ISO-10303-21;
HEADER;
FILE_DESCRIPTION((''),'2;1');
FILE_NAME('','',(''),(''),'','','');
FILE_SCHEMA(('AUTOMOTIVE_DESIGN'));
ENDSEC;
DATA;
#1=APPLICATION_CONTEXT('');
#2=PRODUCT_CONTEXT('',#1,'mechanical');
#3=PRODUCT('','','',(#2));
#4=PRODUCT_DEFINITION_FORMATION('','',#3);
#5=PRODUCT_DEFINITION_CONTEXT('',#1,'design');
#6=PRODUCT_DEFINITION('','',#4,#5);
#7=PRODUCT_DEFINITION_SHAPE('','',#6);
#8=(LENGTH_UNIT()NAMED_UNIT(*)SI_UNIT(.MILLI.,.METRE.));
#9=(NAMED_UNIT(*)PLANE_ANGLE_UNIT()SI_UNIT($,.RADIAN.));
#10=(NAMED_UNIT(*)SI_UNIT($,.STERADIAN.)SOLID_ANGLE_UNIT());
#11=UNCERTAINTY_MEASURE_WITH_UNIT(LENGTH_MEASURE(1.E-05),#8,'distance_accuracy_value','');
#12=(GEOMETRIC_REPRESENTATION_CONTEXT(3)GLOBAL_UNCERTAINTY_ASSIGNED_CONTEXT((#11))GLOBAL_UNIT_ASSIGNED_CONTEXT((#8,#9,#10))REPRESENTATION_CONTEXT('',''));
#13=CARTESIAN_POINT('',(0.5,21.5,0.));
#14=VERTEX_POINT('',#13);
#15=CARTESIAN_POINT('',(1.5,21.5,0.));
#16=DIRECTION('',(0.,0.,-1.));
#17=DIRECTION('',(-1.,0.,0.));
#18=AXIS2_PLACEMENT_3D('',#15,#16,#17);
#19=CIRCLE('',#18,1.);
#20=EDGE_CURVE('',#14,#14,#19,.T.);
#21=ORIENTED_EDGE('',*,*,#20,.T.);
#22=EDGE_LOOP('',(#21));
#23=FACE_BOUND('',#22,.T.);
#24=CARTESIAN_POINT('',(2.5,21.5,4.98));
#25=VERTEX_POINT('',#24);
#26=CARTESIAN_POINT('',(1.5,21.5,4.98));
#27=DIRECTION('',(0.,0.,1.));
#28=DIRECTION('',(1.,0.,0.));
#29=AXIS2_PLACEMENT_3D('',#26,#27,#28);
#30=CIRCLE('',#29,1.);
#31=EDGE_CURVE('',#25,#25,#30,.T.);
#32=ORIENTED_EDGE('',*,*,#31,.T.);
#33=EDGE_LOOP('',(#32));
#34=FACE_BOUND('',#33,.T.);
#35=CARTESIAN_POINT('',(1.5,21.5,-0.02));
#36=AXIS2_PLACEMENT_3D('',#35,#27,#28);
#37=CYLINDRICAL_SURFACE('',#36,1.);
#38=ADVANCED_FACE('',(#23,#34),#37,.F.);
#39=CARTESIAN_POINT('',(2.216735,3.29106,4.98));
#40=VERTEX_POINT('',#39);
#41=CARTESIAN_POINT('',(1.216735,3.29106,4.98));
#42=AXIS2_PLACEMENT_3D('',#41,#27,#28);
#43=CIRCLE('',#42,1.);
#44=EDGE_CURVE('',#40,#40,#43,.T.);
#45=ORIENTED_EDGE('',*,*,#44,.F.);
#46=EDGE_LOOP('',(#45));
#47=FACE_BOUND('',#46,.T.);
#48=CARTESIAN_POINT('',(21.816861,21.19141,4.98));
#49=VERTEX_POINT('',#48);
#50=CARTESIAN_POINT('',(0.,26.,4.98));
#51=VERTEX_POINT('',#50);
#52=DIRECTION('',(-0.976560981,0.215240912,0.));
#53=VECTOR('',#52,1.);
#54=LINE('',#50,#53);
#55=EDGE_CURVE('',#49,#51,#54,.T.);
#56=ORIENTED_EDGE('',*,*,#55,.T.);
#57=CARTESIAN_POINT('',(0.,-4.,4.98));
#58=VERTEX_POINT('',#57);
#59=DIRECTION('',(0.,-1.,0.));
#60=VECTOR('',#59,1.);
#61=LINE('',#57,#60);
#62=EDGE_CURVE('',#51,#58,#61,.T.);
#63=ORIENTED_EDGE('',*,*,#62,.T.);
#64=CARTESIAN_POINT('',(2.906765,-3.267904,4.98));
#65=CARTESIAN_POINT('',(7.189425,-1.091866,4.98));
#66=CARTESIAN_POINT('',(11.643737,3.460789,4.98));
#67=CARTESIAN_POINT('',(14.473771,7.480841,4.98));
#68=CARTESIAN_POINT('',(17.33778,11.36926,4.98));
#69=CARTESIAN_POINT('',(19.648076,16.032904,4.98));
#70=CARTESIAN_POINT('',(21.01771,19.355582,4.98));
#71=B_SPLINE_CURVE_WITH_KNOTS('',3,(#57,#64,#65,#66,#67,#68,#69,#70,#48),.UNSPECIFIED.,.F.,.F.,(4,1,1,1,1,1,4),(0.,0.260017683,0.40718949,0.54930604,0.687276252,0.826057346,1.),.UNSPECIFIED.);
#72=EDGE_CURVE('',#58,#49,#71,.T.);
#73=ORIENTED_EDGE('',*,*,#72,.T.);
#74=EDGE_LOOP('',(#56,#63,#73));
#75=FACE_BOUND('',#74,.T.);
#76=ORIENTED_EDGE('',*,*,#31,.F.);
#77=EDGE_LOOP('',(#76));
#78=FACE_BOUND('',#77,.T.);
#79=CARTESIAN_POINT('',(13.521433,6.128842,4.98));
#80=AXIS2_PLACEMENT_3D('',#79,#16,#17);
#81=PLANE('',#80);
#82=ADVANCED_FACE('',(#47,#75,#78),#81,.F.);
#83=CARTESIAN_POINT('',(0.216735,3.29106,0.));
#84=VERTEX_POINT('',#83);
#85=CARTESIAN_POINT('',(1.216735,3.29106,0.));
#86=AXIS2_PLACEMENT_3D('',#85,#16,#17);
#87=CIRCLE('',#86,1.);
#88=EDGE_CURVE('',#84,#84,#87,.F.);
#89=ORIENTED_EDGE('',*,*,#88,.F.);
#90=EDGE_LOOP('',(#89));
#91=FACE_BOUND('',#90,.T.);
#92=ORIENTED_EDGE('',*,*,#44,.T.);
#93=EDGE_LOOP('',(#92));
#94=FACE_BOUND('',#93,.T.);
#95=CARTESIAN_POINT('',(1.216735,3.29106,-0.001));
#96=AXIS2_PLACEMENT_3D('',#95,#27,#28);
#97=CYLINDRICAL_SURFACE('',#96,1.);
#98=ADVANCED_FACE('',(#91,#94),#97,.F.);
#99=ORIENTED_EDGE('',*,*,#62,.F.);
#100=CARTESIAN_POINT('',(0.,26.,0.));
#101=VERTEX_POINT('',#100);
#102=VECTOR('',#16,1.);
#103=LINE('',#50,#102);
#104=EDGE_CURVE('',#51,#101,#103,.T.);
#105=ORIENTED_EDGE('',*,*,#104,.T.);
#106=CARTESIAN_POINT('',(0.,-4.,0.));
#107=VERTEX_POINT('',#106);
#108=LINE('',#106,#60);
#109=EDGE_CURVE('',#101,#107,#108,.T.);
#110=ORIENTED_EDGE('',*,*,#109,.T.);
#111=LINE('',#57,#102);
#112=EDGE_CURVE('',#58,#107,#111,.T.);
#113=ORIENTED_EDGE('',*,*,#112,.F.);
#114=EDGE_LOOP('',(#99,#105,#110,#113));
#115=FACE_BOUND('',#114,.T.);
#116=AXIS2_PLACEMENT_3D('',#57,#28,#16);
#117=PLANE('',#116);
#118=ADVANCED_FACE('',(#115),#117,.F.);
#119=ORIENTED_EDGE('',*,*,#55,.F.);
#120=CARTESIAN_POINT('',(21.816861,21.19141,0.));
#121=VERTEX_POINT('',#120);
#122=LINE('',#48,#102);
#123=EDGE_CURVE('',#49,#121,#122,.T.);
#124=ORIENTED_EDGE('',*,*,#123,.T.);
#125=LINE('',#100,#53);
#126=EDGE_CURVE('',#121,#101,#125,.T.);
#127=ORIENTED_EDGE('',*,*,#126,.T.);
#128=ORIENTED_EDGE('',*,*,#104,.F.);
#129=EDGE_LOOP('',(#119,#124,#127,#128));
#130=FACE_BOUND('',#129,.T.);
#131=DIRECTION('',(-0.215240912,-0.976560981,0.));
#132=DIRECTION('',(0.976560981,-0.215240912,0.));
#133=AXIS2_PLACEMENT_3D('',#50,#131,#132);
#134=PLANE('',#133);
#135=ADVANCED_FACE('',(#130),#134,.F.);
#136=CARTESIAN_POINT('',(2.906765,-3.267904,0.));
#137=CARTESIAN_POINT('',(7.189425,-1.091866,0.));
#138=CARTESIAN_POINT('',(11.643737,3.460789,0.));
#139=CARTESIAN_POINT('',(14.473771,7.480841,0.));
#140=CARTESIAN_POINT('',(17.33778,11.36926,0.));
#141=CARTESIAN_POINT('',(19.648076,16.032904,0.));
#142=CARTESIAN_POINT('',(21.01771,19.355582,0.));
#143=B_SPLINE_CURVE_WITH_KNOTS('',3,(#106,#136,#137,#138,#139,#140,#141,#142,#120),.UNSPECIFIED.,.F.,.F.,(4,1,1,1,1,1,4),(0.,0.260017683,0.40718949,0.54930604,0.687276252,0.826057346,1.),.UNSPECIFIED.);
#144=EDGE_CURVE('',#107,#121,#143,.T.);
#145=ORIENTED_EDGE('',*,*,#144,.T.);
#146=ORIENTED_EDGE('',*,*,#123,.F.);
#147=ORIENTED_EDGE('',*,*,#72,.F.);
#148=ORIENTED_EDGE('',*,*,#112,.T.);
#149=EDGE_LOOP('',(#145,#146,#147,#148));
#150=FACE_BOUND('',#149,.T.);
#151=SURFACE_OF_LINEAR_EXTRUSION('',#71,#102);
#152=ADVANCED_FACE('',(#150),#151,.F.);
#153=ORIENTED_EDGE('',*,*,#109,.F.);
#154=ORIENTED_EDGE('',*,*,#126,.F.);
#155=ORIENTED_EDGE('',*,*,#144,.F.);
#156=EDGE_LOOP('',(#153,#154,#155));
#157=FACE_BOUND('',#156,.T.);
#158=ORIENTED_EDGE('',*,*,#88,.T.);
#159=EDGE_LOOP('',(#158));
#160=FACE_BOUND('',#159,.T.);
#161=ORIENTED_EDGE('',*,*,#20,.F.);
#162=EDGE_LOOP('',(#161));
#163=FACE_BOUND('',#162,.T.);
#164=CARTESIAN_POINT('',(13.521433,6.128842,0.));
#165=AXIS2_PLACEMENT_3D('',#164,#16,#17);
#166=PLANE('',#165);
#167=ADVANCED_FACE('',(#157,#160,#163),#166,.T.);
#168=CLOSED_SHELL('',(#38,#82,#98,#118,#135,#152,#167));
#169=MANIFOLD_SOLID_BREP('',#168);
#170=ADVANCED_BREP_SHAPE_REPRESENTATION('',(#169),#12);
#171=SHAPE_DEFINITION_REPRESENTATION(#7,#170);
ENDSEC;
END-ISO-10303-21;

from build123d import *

# Parameters (mm, degrees)
SALIENTE_EXTRUIR1_DEPTH = 4.98
CROQUIS2_R              = 1
CORTAR_EXTRUIR1_DEPTH   = 5
CORTAR_EXTRUIR3_REACH   = 36.304
CROQUIS4_R              = 1


with BuildPart() as part:
    # Croquis1 → Saliente-Extruir1 (new body)
    with BuildSketch(Plane.XY):
        with BuildLine():
            Line((0, -4), (0, 26))
            Line((0, 26), (21.816861247, 21.191410261))
            add(Edge.make_bspline(
                [(0, -4), (2.906764931, -3.267903802), (7.189424572, -1.091865696), (11.643736623, 3.460788761), (14.473771474, 7.480841145), (17.337780125, 11.369260365), (19.648075945, 16.032903585), (21.017709919, 19.355582105), (21.816861247, 21.191410261)],
                knots=[0, 0, 0, 0, 0.260017683, 0.40718949, 0.54930604, 0.687276252, 0.826057346, 1, 1, 1, 1], degree=3))
        make_face()
    extrude(amount=SALIENTE_EXTRUIR1_DEPTH)

    # Croquis2 → Cortar-Extruir1 (cut)
    with BuildSketch(Plane.XY.offset(4.98)):
        with Locations((1.5, 21.5)):
            Circle(CROQUIS2_R)
    extrude(amount=-CORTAR_EXTRUIR1_DEPTH, mode=Mode.SUBTRACT)

    # Croquis4 → Cortar-Extruir3 (cut, up to next)
    with BuildSketch(Plane.XY.offset(4.98), mode=Mode.PRIVATE) as cortar_extruir3_sk1:
        with Locations((1.216735104, 3.291060379)):
            Circle(CROQUIS4_R)
    cortar_extruir3_tool1 = extrude(cortar_extruir3_sk1.sketch, amount=-CORTAR_EXTRUIR3_REACH, mode=Mode.PRIVATE) & part.part
    add(cortar_extruir3_tool1.solids().sort_by_distance((1.216735, 3.29106, 4.98))[0], mode=Mode.SUBTRACT)


solid = part.part
